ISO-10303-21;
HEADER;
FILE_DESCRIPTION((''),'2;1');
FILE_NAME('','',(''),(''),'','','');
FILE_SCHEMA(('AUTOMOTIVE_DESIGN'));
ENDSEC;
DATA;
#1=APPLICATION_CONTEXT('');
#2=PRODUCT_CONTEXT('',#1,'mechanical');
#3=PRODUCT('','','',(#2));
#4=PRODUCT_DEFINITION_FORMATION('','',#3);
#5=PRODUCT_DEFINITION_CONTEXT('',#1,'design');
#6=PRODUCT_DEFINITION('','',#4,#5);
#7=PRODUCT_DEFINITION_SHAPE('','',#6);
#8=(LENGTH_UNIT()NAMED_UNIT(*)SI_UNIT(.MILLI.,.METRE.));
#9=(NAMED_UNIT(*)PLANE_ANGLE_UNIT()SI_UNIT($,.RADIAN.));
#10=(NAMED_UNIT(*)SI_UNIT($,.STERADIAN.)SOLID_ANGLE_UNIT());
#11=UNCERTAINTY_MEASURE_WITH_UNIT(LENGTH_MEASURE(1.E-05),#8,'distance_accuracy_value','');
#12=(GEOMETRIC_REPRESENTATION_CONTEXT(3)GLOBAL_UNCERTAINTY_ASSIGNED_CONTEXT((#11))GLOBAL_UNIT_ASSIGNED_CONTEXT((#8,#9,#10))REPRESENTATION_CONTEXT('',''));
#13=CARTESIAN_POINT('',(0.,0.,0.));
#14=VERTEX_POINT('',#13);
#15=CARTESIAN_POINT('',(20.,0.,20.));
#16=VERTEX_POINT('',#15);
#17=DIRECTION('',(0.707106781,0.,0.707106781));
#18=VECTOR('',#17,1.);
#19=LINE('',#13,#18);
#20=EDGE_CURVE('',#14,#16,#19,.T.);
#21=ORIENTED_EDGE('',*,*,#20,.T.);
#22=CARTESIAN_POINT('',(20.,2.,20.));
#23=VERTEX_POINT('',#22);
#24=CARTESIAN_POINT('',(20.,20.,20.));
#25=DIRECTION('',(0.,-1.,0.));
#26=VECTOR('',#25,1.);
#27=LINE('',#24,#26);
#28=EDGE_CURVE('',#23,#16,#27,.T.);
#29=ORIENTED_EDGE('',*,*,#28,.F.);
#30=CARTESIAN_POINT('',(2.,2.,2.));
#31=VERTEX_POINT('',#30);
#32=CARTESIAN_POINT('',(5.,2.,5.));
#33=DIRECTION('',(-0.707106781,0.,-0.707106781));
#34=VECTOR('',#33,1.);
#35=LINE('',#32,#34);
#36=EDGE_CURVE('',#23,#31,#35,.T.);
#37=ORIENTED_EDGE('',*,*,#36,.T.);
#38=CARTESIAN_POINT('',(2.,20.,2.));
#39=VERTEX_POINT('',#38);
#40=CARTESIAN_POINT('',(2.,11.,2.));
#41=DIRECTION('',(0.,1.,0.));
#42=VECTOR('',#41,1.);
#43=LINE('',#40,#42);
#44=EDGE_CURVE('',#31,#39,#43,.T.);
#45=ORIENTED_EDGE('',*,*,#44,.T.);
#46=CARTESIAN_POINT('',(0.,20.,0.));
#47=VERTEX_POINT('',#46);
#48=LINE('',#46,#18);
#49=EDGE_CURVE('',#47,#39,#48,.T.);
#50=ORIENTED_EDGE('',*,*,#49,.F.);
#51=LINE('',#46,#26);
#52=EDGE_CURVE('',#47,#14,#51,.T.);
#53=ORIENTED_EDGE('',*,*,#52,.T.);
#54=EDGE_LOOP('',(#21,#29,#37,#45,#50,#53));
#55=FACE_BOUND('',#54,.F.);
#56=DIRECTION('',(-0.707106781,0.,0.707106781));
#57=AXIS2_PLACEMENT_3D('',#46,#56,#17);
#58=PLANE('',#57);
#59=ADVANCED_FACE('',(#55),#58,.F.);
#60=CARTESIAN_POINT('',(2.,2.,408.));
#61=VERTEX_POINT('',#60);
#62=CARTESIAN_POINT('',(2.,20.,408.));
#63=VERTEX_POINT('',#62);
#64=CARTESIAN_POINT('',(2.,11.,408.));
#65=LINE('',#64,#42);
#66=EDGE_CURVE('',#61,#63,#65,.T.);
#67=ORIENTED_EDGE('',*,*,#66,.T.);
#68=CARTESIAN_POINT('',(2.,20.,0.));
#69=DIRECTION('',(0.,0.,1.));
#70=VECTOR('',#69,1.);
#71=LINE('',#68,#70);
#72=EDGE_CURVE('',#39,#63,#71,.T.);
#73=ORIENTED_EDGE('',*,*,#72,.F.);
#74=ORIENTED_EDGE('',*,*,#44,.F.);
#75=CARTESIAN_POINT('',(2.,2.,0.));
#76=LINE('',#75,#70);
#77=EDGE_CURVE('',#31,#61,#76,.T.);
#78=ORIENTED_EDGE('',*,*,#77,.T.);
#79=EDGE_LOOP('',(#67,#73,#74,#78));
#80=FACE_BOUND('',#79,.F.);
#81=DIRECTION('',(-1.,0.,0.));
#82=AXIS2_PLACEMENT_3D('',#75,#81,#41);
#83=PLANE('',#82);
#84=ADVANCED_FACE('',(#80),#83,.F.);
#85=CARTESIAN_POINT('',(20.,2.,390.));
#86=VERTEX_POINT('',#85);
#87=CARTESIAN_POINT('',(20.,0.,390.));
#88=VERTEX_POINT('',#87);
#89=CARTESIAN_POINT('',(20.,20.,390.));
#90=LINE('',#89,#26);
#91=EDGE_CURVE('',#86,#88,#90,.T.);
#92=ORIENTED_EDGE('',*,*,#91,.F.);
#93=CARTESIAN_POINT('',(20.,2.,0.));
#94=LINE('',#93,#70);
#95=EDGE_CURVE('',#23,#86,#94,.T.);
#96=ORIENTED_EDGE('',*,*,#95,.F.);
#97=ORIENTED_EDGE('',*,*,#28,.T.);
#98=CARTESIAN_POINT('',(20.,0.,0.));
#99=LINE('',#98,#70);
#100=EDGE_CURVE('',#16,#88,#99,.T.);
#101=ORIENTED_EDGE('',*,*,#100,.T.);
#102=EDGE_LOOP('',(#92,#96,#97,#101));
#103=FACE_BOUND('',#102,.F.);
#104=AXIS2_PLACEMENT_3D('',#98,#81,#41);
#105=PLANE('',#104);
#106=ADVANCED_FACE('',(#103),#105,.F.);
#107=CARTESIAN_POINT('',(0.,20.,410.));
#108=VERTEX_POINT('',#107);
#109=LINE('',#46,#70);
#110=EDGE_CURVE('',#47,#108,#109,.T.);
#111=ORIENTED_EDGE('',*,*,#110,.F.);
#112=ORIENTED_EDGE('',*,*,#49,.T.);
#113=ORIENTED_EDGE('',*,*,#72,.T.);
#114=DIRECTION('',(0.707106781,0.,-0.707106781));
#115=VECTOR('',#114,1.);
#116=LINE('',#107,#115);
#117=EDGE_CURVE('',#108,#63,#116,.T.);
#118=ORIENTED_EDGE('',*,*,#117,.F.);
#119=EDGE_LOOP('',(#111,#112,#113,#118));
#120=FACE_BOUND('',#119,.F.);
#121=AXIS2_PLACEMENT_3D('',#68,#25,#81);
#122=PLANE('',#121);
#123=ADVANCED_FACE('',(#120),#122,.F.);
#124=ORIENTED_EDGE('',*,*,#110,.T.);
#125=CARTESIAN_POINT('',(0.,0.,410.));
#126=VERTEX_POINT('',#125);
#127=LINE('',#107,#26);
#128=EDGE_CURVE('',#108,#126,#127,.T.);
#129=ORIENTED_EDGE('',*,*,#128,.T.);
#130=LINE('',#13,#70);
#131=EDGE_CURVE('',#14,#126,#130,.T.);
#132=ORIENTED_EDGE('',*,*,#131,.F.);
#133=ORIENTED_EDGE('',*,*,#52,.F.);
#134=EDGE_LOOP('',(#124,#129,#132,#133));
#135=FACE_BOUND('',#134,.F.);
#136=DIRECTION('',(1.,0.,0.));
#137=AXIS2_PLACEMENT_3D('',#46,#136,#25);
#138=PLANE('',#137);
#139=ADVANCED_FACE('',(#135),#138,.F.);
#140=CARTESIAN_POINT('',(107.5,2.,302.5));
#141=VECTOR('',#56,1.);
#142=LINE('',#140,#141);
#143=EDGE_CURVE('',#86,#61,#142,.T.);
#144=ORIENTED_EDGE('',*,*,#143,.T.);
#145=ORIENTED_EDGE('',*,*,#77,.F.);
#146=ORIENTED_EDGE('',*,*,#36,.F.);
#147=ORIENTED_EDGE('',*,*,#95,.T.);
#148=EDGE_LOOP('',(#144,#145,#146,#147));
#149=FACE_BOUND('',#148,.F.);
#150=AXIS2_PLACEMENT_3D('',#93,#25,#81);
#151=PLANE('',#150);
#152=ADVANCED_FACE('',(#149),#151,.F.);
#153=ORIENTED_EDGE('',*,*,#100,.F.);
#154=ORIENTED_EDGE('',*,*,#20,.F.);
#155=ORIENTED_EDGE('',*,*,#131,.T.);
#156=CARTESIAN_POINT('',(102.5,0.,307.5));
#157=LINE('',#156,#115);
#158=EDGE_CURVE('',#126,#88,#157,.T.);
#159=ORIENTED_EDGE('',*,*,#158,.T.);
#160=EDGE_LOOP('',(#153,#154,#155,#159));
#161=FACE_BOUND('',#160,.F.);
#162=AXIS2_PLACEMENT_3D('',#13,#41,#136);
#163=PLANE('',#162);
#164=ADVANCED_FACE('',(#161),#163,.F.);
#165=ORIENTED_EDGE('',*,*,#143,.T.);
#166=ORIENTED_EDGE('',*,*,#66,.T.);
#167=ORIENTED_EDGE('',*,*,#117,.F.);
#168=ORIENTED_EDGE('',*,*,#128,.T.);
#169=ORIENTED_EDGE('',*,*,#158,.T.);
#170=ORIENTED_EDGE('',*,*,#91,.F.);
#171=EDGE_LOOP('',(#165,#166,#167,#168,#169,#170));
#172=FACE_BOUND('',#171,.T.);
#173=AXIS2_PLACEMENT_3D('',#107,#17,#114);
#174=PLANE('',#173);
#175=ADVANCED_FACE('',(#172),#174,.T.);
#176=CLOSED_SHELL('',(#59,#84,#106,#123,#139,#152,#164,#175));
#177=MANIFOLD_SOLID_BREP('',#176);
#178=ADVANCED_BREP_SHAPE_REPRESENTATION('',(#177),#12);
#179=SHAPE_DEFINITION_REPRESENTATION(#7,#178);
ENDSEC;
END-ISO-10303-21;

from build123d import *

# Parameters (mm, degrees)
BOSS_EXTRUDE1_DEPTH = 410
CUT_EXTRUDE1_DEPTH  = 21


with BuildPart() as part:
    # Sketch1 → Boss-Extrude1 (new body)
    with BuildSketch(Plane.XY):
        Polygon((0, 20), (0, 0), (20, 0), (20, 2), (2, 2), (2, 20), align=None)
    extrude(amount=BOSS_EXTRUDE1_DEPTH)

    # Sketch2 → Cut-Extrude1 (cut, through all)
    with BuildSketch(Plane(origin=(0, 20, 0), x_dir=(1, 0, 0), z_dir=(0, 1, 0))):
        Polygon((0, 0), (20, -20), (20, 0), align=None)
        Polygon((0, -410), (20, -390), (20, -410), align=None)
    extrude(amount=-CUT_EXTRUDE1_DEPTH, mode=Mode.SUBTRACT)


solid = part.part
